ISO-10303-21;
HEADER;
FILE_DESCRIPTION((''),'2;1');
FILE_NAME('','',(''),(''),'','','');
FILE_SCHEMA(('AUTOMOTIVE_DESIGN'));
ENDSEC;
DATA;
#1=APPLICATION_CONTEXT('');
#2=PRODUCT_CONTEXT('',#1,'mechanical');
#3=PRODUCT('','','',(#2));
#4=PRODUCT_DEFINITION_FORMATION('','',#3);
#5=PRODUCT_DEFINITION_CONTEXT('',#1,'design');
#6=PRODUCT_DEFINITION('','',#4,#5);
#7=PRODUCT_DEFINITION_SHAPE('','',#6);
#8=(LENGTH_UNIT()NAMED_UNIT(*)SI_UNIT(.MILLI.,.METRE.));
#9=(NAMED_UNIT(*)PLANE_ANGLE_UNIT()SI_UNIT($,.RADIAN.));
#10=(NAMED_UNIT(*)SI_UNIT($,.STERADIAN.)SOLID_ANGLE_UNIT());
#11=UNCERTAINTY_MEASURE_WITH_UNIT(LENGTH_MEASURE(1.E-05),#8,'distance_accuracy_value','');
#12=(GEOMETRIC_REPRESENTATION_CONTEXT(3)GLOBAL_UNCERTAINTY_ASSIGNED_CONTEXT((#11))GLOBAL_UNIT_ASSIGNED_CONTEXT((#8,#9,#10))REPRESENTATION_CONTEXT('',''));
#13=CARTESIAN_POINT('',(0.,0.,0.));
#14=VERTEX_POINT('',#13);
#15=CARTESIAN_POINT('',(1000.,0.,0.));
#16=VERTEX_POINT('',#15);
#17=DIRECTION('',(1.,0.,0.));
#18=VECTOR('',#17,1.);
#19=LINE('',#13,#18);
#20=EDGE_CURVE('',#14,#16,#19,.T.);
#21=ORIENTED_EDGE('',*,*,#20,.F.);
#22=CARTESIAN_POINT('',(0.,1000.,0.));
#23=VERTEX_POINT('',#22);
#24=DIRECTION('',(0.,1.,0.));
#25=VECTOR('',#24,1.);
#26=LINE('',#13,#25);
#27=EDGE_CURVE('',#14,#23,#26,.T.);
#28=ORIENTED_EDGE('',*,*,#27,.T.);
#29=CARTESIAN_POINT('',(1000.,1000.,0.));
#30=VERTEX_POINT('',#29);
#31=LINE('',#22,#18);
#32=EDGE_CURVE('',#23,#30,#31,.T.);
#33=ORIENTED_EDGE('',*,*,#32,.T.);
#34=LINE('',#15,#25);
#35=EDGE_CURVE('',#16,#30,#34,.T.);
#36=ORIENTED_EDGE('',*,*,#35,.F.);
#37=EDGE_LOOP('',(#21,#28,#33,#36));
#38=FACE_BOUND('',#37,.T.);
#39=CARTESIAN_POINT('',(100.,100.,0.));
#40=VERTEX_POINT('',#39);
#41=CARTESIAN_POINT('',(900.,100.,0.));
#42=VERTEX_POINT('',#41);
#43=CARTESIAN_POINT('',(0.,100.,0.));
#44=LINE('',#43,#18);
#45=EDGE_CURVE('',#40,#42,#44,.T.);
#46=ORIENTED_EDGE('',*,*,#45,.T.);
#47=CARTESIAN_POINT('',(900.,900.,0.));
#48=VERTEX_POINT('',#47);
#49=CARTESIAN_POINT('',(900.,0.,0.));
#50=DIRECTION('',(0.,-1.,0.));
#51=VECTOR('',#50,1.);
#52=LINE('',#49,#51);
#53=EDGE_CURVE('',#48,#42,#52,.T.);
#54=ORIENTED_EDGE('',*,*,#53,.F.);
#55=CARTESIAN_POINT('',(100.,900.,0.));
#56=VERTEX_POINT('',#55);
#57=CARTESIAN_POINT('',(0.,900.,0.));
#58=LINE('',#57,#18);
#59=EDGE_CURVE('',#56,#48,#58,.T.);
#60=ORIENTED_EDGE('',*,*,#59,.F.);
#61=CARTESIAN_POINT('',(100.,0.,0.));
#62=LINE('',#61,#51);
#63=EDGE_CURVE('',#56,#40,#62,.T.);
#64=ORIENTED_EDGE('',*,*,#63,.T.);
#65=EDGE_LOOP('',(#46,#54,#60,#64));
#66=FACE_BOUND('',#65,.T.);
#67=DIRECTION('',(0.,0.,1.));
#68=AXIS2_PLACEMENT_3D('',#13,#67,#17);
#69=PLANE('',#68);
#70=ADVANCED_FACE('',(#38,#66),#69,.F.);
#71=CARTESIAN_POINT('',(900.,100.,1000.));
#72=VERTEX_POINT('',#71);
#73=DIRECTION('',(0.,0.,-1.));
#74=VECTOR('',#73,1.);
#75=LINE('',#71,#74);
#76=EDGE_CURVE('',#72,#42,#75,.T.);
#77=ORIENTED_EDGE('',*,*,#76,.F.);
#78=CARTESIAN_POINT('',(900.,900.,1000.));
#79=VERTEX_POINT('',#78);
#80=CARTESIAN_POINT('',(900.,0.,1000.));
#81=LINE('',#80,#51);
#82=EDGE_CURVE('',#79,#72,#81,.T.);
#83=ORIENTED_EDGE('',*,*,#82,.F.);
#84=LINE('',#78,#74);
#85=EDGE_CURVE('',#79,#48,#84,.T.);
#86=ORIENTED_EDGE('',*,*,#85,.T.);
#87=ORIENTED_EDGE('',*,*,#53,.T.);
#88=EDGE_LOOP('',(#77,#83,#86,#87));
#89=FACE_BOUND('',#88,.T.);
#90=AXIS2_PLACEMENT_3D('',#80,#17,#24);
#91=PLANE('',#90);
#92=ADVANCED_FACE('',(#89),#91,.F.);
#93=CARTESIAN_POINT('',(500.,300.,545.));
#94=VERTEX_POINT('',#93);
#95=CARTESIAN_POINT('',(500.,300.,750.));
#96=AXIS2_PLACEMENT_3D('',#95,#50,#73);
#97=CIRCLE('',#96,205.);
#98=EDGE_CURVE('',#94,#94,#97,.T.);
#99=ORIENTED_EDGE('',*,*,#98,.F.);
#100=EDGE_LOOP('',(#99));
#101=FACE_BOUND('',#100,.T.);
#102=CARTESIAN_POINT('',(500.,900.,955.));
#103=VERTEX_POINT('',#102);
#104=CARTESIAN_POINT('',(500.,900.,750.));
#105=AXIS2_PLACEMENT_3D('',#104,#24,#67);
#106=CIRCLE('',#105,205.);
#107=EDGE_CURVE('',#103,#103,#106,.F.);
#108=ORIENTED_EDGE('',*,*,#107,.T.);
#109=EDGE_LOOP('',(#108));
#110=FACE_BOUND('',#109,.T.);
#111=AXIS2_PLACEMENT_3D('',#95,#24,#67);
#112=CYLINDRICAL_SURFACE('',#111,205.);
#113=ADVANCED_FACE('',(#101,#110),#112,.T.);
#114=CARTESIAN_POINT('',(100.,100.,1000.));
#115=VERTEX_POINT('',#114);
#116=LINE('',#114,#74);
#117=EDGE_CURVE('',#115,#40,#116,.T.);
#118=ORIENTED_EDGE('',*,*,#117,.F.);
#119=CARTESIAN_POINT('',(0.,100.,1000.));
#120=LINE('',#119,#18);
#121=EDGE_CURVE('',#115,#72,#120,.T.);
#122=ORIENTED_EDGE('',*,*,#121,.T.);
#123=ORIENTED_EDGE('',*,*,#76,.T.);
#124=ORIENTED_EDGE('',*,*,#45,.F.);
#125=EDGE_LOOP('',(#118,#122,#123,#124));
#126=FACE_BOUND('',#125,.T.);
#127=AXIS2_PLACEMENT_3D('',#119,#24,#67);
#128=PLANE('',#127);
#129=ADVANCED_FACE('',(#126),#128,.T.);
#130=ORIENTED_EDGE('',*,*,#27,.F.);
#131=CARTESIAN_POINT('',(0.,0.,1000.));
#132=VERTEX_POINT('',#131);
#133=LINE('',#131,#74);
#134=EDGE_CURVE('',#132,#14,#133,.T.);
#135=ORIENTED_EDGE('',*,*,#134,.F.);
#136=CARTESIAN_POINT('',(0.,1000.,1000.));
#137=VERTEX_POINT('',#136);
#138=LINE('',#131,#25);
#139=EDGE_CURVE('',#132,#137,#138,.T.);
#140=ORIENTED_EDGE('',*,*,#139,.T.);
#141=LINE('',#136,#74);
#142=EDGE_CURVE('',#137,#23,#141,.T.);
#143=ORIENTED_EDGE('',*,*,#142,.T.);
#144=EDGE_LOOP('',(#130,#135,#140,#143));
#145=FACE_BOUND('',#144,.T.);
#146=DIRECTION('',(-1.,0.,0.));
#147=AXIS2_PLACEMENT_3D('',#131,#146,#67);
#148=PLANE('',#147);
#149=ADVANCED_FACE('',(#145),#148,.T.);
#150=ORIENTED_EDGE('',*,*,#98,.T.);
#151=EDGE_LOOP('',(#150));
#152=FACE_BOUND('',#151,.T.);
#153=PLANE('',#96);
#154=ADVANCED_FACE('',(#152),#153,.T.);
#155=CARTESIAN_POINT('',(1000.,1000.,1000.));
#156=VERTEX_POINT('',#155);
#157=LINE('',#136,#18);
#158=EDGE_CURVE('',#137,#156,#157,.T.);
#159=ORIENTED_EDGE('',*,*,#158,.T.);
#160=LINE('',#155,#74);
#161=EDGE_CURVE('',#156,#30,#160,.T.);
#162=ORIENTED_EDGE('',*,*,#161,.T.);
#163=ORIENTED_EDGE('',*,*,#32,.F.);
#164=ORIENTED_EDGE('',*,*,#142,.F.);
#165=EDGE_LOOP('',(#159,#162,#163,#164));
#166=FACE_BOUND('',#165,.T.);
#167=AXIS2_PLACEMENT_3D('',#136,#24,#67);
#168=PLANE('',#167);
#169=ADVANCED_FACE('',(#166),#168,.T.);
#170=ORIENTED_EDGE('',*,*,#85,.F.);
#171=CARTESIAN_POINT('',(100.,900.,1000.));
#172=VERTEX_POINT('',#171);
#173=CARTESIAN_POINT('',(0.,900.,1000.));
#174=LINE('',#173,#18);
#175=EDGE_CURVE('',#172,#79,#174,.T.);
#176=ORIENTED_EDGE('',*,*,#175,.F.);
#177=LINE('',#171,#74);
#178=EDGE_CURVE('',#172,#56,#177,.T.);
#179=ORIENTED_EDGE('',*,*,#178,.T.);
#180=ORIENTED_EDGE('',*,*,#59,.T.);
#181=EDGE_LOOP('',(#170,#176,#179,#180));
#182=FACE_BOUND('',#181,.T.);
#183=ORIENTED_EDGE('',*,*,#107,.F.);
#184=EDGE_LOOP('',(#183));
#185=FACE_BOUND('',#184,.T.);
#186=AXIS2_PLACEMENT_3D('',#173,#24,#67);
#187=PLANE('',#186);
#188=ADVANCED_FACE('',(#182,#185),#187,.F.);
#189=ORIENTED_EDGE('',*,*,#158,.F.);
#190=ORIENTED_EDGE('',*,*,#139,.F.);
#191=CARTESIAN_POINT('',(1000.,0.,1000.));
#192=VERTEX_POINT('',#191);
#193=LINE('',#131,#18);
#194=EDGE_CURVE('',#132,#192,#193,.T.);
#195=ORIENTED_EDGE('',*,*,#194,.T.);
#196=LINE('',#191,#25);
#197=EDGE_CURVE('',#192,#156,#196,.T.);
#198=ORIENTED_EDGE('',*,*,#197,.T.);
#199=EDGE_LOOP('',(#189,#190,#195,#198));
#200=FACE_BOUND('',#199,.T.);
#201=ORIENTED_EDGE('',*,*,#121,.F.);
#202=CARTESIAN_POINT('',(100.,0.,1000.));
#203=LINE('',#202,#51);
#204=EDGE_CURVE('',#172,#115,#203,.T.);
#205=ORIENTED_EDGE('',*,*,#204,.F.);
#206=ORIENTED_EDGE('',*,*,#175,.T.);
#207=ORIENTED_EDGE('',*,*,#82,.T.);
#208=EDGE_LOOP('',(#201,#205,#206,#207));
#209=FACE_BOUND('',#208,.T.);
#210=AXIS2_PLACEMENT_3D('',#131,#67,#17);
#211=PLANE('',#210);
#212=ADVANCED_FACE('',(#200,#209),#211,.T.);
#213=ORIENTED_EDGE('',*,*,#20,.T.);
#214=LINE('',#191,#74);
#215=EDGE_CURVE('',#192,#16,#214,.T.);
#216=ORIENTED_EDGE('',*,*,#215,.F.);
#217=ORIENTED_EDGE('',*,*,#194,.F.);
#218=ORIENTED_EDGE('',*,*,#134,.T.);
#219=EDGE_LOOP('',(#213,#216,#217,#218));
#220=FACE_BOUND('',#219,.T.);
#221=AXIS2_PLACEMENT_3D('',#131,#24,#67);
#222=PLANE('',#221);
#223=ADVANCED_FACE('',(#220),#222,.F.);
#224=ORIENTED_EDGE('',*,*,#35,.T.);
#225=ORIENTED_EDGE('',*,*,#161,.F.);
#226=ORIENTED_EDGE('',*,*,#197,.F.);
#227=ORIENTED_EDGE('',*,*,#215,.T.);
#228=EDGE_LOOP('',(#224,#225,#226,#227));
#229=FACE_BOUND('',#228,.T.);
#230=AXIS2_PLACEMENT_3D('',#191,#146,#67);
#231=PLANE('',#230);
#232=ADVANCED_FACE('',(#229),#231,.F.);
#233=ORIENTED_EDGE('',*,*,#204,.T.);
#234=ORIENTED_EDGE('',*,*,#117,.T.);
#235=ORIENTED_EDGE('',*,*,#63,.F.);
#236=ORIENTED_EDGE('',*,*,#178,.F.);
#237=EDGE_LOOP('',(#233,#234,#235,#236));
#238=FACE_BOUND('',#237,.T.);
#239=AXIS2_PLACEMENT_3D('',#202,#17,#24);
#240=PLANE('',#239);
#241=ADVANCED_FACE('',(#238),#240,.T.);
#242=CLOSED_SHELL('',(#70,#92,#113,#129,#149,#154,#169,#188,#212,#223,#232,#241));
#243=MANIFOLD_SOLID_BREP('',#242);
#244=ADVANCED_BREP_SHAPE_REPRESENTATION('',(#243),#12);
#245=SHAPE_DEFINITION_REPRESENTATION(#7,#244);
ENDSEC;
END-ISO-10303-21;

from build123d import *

# Parameters (mm, degrees)
SKETCH1_W           = 1000
SKETCH1_H           = 1000
SKETCH1_W_2         = 800
SKETCH1_H_2         = 800
BOSS_EXTRUDE1_DEPTH = 1000
SKETCH2_R           = 205
BOSS_EXTRUDE2_DEPTH = 600


with BuildPart() as part:
    # Sketch1 → Boss-Extrude1 (new body)
    with BuildSketch(Plane.XY):
        with Locations((500, 500)):
            Rectangle(SKETCH1_W, SKETCH1_H)
        with Locations((500, 500)):
            Rectangle(SKETCH1_W_2, SKETCH1_H_2, mode=Mode.SUBTRACT)
    extrude(amount=BOSS_EXTRUDE1_DEPTH)

    # Sketch2 → Boss-Extrude2 (add)
    with BuildSketch(Plane.XZ.offset(-900)):
        with Locations(Location((500, 750, 0), (0, 0, 90))):
            Circle(SKETCH2_R)
    extrude(amount=BOSS_EXTRUDE2_DEPTH)


solid = part.part
